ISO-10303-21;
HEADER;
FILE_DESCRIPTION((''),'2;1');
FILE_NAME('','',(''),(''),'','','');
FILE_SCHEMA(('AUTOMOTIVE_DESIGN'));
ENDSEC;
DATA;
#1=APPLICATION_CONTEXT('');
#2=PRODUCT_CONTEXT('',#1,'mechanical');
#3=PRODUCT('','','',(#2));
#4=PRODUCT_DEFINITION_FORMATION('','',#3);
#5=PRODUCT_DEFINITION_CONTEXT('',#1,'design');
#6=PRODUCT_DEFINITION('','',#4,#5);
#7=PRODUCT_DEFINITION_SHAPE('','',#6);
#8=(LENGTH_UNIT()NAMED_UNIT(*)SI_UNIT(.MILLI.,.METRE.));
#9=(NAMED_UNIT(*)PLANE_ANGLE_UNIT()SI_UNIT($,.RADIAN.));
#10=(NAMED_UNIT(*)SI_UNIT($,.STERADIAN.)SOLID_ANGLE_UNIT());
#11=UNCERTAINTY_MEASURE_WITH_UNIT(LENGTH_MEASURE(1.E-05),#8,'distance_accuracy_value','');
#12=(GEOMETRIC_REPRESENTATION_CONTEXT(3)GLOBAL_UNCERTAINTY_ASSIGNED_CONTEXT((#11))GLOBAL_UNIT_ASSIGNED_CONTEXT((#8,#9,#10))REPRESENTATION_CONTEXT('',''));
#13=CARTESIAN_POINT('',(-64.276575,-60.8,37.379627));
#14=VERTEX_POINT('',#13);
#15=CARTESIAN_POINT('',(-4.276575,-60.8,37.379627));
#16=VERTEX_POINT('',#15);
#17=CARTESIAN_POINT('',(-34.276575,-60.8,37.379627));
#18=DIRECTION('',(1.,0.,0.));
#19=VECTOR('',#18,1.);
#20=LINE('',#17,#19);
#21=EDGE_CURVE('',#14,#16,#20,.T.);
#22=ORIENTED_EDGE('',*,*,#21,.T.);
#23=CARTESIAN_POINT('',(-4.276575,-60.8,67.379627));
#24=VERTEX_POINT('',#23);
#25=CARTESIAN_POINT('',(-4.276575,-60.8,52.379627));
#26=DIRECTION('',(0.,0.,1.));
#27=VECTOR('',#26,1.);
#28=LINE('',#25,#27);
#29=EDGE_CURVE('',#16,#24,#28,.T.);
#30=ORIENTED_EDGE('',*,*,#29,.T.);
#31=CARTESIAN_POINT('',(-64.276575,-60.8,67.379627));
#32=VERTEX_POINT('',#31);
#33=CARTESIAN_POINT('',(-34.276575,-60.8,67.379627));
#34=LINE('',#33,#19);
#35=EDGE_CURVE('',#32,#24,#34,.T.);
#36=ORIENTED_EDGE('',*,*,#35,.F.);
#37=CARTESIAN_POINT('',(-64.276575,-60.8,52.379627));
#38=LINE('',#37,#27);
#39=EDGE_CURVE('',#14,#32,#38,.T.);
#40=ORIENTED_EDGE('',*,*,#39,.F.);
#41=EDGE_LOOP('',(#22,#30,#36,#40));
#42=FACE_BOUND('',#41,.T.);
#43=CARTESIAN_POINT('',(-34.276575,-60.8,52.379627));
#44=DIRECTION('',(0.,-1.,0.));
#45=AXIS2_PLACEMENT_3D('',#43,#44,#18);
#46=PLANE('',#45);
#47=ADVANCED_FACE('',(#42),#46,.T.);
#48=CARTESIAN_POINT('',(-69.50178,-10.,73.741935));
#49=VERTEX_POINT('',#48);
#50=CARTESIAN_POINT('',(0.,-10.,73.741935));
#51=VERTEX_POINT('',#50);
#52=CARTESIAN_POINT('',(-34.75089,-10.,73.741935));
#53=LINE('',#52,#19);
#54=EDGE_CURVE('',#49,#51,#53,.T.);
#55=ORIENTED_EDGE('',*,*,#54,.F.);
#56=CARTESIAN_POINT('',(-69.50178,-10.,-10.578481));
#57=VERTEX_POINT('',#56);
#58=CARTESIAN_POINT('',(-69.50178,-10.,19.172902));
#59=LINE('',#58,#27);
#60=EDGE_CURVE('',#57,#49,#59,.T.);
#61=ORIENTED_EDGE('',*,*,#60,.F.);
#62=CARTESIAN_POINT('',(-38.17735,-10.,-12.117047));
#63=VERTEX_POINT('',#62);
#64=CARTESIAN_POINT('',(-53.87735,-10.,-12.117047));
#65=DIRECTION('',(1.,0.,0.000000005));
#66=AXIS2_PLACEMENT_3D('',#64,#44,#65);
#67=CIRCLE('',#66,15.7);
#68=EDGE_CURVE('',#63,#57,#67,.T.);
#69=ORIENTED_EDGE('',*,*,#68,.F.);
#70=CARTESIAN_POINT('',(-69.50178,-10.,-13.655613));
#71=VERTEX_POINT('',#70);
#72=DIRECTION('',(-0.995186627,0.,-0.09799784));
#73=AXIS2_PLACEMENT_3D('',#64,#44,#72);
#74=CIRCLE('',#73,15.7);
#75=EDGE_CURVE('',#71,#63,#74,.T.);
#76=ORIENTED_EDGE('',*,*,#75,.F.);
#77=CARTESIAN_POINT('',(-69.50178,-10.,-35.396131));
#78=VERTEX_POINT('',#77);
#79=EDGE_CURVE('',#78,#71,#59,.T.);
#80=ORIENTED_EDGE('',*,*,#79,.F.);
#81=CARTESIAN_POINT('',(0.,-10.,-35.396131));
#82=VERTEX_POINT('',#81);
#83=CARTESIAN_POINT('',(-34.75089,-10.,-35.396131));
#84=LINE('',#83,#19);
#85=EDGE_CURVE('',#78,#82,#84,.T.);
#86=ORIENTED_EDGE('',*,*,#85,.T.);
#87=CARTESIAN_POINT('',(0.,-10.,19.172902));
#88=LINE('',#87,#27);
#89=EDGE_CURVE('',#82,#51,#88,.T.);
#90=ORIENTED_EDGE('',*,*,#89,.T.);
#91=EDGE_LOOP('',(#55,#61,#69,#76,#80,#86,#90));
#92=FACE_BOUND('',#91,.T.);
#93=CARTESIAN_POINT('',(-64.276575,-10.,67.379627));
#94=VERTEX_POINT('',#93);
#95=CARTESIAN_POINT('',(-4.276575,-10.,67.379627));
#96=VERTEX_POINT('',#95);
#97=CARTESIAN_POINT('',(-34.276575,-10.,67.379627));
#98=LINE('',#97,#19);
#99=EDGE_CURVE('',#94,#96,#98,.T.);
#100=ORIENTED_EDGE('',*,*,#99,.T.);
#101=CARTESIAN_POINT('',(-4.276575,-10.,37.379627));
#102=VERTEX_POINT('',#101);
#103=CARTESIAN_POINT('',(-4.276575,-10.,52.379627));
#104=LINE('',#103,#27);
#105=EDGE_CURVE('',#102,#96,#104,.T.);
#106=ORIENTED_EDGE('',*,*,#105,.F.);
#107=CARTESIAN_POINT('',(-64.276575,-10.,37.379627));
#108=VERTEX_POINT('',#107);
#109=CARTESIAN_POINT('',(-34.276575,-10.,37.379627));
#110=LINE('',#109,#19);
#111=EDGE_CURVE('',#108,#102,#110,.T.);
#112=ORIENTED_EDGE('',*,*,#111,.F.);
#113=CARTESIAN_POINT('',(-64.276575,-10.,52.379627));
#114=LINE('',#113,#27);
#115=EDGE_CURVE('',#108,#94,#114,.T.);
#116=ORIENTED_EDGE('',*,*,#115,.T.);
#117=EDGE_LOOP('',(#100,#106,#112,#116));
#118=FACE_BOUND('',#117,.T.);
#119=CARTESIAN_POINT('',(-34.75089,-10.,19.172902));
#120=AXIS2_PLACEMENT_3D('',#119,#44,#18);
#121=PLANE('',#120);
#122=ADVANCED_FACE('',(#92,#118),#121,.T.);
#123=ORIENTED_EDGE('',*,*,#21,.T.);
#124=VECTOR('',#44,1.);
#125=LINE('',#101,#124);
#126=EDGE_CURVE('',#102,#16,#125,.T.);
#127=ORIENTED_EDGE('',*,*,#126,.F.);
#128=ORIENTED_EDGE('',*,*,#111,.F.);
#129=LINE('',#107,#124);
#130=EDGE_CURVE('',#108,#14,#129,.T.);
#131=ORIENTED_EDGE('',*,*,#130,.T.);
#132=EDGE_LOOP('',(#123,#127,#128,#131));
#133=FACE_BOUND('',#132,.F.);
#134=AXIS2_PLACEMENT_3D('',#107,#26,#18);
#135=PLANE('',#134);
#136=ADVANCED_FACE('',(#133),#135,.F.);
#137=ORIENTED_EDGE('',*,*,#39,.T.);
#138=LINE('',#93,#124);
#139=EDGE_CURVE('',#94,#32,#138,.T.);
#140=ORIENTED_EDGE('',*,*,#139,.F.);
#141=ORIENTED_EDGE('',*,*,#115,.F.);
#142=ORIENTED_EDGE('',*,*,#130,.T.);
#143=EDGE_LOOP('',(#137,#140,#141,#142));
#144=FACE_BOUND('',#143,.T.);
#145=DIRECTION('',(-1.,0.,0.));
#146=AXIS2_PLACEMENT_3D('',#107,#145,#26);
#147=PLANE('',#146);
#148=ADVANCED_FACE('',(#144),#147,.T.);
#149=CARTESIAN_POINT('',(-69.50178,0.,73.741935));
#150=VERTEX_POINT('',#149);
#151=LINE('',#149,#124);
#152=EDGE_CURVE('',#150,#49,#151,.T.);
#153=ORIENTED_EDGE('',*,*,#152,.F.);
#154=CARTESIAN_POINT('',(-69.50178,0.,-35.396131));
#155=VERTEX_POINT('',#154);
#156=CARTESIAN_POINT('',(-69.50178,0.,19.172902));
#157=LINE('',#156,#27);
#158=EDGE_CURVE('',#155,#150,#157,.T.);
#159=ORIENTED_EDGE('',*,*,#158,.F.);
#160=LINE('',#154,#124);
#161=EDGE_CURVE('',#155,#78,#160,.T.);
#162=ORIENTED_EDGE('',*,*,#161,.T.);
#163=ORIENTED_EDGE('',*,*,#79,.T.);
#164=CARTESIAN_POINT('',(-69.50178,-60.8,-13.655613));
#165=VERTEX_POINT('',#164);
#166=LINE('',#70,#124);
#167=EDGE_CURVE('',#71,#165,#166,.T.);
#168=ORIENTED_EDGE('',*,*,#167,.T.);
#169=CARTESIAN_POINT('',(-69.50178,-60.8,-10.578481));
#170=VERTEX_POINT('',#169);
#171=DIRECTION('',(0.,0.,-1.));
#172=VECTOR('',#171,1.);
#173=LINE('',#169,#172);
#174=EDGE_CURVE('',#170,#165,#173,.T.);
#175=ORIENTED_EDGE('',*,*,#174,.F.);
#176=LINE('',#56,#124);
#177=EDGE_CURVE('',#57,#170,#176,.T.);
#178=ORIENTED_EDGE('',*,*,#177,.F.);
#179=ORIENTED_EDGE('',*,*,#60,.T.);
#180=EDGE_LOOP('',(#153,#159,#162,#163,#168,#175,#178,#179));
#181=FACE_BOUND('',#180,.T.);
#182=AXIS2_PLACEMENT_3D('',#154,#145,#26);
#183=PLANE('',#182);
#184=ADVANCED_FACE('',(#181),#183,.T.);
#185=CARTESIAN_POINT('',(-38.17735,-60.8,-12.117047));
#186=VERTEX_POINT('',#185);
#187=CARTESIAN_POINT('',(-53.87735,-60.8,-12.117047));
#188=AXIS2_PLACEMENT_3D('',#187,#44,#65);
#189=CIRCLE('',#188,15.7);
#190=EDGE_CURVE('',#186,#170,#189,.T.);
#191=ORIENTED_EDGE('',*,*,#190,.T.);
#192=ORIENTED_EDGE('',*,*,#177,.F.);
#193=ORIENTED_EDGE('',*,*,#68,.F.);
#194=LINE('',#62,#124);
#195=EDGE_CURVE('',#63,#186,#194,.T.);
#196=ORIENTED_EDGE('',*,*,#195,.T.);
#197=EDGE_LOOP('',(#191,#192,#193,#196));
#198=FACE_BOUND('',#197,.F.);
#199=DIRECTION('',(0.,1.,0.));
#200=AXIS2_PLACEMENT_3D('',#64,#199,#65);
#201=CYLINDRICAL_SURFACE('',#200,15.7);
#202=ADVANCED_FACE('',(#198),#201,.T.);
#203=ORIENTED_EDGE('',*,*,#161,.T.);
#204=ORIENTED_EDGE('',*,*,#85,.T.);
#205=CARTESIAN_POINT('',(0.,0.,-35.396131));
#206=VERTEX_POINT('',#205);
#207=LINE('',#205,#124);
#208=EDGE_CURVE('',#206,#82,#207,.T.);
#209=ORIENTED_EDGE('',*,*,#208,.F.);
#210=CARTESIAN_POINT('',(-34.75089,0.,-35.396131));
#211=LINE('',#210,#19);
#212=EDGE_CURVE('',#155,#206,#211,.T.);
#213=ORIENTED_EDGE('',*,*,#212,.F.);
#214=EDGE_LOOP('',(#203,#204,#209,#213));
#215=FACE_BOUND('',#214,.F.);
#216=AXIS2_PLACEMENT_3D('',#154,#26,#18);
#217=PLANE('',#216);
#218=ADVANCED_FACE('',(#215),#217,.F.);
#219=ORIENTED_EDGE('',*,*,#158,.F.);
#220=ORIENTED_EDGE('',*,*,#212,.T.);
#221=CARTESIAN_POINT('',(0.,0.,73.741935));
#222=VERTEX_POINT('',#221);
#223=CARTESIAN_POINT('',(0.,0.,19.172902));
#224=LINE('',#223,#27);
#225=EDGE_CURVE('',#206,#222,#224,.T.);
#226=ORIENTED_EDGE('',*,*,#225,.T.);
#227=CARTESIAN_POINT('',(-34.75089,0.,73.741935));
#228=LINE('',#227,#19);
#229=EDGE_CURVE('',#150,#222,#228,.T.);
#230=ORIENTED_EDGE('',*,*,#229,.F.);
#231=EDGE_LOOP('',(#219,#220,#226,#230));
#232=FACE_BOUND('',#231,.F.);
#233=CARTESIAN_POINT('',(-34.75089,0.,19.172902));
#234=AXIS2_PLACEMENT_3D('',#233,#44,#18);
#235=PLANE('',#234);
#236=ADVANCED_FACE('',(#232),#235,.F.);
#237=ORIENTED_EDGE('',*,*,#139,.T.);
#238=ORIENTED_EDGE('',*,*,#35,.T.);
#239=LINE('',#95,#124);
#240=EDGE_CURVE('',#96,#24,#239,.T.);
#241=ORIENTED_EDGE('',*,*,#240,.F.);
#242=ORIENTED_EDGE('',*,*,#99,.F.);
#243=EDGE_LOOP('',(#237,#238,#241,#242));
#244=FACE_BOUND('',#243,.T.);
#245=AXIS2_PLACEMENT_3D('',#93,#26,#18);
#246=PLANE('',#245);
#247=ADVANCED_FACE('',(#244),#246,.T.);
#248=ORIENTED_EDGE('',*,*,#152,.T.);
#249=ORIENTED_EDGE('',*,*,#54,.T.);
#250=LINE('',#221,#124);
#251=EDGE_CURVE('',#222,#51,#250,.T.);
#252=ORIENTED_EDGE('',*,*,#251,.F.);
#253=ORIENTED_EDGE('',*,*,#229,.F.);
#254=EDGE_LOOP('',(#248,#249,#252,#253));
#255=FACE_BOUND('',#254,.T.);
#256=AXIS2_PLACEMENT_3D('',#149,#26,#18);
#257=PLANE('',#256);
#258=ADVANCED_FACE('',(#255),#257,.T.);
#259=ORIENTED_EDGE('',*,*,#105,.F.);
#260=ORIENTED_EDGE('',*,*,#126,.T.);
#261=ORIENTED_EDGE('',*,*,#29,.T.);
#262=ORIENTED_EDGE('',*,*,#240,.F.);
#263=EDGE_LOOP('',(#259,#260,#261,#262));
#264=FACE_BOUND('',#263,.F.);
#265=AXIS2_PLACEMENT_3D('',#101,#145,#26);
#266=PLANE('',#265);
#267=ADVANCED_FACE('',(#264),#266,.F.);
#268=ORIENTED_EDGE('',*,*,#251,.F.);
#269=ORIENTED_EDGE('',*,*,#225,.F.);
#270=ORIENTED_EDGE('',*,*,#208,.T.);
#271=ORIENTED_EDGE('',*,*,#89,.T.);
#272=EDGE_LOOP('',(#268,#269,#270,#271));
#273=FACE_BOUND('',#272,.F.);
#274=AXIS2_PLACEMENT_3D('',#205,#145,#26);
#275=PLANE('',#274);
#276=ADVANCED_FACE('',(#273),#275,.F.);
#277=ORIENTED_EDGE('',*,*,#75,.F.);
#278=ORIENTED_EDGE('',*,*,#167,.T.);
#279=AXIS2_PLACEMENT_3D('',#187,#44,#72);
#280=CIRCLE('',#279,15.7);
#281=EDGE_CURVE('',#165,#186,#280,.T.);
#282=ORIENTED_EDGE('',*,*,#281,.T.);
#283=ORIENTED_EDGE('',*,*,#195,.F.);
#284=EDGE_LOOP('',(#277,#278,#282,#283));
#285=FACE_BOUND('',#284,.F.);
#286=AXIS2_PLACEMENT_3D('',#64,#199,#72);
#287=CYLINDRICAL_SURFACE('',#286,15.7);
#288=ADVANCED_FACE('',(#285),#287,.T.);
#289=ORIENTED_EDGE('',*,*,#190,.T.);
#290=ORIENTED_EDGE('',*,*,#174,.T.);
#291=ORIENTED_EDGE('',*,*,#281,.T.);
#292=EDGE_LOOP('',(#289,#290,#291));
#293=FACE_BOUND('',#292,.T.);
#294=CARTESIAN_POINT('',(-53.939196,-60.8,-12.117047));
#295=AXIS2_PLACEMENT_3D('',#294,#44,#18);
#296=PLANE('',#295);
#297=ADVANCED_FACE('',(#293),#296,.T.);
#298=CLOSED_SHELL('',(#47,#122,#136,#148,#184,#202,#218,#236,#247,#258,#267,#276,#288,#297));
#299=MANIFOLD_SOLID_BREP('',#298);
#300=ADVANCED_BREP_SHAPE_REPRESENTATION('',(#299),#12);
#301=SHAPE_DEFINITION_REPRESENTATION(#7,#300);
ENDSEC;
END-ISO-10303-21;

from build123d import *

# Parameters (mm, degrees)
F0_W     = 69.50178
F0_H     = 109.138066
F1_DEPTH = 10
F2_W     = 60
F2_H     = 30
F4_DEPTH = 50.8
F5_DEPTH = 50.8


with BuildPart() as f1:
    # F0 (on Front) → F1 (new body)
    with BuildSketch(Plane.XZ):
        with Locations((-34.75089, 19.172902)):
            Rectangle(F0_W, F0_H)
    extrude(amount=F1_DEPTH)

    # F2 (on face) → F4 (join)
    with BuildSketch(Plane.XZ.offset(10)):
        with Locations((-34.276575, 52.379627)):
            Rectangle(F2_W, F2_H)
    extrude(amount=F4_DEPTH)

    # F3 (on face) → F5 (join)
    with BuildSketch(Plane.XZ.offset(10)):
        with BuildLine():
            ThreePointArc((-69.50178, -13.655613), (-53.107139, -27.798143), (-38.17735, -12.117047))
            ThreePointArc((-38.17735, -12.117047), (-53.107139, 3.564049), (-69.50178, -10.578481))
            Line((-69.50178, -10.578481), (-69.50178, -13.655613))
        make_face()
    extrude(amount=F5_DEPTH)


solid = f1.part
